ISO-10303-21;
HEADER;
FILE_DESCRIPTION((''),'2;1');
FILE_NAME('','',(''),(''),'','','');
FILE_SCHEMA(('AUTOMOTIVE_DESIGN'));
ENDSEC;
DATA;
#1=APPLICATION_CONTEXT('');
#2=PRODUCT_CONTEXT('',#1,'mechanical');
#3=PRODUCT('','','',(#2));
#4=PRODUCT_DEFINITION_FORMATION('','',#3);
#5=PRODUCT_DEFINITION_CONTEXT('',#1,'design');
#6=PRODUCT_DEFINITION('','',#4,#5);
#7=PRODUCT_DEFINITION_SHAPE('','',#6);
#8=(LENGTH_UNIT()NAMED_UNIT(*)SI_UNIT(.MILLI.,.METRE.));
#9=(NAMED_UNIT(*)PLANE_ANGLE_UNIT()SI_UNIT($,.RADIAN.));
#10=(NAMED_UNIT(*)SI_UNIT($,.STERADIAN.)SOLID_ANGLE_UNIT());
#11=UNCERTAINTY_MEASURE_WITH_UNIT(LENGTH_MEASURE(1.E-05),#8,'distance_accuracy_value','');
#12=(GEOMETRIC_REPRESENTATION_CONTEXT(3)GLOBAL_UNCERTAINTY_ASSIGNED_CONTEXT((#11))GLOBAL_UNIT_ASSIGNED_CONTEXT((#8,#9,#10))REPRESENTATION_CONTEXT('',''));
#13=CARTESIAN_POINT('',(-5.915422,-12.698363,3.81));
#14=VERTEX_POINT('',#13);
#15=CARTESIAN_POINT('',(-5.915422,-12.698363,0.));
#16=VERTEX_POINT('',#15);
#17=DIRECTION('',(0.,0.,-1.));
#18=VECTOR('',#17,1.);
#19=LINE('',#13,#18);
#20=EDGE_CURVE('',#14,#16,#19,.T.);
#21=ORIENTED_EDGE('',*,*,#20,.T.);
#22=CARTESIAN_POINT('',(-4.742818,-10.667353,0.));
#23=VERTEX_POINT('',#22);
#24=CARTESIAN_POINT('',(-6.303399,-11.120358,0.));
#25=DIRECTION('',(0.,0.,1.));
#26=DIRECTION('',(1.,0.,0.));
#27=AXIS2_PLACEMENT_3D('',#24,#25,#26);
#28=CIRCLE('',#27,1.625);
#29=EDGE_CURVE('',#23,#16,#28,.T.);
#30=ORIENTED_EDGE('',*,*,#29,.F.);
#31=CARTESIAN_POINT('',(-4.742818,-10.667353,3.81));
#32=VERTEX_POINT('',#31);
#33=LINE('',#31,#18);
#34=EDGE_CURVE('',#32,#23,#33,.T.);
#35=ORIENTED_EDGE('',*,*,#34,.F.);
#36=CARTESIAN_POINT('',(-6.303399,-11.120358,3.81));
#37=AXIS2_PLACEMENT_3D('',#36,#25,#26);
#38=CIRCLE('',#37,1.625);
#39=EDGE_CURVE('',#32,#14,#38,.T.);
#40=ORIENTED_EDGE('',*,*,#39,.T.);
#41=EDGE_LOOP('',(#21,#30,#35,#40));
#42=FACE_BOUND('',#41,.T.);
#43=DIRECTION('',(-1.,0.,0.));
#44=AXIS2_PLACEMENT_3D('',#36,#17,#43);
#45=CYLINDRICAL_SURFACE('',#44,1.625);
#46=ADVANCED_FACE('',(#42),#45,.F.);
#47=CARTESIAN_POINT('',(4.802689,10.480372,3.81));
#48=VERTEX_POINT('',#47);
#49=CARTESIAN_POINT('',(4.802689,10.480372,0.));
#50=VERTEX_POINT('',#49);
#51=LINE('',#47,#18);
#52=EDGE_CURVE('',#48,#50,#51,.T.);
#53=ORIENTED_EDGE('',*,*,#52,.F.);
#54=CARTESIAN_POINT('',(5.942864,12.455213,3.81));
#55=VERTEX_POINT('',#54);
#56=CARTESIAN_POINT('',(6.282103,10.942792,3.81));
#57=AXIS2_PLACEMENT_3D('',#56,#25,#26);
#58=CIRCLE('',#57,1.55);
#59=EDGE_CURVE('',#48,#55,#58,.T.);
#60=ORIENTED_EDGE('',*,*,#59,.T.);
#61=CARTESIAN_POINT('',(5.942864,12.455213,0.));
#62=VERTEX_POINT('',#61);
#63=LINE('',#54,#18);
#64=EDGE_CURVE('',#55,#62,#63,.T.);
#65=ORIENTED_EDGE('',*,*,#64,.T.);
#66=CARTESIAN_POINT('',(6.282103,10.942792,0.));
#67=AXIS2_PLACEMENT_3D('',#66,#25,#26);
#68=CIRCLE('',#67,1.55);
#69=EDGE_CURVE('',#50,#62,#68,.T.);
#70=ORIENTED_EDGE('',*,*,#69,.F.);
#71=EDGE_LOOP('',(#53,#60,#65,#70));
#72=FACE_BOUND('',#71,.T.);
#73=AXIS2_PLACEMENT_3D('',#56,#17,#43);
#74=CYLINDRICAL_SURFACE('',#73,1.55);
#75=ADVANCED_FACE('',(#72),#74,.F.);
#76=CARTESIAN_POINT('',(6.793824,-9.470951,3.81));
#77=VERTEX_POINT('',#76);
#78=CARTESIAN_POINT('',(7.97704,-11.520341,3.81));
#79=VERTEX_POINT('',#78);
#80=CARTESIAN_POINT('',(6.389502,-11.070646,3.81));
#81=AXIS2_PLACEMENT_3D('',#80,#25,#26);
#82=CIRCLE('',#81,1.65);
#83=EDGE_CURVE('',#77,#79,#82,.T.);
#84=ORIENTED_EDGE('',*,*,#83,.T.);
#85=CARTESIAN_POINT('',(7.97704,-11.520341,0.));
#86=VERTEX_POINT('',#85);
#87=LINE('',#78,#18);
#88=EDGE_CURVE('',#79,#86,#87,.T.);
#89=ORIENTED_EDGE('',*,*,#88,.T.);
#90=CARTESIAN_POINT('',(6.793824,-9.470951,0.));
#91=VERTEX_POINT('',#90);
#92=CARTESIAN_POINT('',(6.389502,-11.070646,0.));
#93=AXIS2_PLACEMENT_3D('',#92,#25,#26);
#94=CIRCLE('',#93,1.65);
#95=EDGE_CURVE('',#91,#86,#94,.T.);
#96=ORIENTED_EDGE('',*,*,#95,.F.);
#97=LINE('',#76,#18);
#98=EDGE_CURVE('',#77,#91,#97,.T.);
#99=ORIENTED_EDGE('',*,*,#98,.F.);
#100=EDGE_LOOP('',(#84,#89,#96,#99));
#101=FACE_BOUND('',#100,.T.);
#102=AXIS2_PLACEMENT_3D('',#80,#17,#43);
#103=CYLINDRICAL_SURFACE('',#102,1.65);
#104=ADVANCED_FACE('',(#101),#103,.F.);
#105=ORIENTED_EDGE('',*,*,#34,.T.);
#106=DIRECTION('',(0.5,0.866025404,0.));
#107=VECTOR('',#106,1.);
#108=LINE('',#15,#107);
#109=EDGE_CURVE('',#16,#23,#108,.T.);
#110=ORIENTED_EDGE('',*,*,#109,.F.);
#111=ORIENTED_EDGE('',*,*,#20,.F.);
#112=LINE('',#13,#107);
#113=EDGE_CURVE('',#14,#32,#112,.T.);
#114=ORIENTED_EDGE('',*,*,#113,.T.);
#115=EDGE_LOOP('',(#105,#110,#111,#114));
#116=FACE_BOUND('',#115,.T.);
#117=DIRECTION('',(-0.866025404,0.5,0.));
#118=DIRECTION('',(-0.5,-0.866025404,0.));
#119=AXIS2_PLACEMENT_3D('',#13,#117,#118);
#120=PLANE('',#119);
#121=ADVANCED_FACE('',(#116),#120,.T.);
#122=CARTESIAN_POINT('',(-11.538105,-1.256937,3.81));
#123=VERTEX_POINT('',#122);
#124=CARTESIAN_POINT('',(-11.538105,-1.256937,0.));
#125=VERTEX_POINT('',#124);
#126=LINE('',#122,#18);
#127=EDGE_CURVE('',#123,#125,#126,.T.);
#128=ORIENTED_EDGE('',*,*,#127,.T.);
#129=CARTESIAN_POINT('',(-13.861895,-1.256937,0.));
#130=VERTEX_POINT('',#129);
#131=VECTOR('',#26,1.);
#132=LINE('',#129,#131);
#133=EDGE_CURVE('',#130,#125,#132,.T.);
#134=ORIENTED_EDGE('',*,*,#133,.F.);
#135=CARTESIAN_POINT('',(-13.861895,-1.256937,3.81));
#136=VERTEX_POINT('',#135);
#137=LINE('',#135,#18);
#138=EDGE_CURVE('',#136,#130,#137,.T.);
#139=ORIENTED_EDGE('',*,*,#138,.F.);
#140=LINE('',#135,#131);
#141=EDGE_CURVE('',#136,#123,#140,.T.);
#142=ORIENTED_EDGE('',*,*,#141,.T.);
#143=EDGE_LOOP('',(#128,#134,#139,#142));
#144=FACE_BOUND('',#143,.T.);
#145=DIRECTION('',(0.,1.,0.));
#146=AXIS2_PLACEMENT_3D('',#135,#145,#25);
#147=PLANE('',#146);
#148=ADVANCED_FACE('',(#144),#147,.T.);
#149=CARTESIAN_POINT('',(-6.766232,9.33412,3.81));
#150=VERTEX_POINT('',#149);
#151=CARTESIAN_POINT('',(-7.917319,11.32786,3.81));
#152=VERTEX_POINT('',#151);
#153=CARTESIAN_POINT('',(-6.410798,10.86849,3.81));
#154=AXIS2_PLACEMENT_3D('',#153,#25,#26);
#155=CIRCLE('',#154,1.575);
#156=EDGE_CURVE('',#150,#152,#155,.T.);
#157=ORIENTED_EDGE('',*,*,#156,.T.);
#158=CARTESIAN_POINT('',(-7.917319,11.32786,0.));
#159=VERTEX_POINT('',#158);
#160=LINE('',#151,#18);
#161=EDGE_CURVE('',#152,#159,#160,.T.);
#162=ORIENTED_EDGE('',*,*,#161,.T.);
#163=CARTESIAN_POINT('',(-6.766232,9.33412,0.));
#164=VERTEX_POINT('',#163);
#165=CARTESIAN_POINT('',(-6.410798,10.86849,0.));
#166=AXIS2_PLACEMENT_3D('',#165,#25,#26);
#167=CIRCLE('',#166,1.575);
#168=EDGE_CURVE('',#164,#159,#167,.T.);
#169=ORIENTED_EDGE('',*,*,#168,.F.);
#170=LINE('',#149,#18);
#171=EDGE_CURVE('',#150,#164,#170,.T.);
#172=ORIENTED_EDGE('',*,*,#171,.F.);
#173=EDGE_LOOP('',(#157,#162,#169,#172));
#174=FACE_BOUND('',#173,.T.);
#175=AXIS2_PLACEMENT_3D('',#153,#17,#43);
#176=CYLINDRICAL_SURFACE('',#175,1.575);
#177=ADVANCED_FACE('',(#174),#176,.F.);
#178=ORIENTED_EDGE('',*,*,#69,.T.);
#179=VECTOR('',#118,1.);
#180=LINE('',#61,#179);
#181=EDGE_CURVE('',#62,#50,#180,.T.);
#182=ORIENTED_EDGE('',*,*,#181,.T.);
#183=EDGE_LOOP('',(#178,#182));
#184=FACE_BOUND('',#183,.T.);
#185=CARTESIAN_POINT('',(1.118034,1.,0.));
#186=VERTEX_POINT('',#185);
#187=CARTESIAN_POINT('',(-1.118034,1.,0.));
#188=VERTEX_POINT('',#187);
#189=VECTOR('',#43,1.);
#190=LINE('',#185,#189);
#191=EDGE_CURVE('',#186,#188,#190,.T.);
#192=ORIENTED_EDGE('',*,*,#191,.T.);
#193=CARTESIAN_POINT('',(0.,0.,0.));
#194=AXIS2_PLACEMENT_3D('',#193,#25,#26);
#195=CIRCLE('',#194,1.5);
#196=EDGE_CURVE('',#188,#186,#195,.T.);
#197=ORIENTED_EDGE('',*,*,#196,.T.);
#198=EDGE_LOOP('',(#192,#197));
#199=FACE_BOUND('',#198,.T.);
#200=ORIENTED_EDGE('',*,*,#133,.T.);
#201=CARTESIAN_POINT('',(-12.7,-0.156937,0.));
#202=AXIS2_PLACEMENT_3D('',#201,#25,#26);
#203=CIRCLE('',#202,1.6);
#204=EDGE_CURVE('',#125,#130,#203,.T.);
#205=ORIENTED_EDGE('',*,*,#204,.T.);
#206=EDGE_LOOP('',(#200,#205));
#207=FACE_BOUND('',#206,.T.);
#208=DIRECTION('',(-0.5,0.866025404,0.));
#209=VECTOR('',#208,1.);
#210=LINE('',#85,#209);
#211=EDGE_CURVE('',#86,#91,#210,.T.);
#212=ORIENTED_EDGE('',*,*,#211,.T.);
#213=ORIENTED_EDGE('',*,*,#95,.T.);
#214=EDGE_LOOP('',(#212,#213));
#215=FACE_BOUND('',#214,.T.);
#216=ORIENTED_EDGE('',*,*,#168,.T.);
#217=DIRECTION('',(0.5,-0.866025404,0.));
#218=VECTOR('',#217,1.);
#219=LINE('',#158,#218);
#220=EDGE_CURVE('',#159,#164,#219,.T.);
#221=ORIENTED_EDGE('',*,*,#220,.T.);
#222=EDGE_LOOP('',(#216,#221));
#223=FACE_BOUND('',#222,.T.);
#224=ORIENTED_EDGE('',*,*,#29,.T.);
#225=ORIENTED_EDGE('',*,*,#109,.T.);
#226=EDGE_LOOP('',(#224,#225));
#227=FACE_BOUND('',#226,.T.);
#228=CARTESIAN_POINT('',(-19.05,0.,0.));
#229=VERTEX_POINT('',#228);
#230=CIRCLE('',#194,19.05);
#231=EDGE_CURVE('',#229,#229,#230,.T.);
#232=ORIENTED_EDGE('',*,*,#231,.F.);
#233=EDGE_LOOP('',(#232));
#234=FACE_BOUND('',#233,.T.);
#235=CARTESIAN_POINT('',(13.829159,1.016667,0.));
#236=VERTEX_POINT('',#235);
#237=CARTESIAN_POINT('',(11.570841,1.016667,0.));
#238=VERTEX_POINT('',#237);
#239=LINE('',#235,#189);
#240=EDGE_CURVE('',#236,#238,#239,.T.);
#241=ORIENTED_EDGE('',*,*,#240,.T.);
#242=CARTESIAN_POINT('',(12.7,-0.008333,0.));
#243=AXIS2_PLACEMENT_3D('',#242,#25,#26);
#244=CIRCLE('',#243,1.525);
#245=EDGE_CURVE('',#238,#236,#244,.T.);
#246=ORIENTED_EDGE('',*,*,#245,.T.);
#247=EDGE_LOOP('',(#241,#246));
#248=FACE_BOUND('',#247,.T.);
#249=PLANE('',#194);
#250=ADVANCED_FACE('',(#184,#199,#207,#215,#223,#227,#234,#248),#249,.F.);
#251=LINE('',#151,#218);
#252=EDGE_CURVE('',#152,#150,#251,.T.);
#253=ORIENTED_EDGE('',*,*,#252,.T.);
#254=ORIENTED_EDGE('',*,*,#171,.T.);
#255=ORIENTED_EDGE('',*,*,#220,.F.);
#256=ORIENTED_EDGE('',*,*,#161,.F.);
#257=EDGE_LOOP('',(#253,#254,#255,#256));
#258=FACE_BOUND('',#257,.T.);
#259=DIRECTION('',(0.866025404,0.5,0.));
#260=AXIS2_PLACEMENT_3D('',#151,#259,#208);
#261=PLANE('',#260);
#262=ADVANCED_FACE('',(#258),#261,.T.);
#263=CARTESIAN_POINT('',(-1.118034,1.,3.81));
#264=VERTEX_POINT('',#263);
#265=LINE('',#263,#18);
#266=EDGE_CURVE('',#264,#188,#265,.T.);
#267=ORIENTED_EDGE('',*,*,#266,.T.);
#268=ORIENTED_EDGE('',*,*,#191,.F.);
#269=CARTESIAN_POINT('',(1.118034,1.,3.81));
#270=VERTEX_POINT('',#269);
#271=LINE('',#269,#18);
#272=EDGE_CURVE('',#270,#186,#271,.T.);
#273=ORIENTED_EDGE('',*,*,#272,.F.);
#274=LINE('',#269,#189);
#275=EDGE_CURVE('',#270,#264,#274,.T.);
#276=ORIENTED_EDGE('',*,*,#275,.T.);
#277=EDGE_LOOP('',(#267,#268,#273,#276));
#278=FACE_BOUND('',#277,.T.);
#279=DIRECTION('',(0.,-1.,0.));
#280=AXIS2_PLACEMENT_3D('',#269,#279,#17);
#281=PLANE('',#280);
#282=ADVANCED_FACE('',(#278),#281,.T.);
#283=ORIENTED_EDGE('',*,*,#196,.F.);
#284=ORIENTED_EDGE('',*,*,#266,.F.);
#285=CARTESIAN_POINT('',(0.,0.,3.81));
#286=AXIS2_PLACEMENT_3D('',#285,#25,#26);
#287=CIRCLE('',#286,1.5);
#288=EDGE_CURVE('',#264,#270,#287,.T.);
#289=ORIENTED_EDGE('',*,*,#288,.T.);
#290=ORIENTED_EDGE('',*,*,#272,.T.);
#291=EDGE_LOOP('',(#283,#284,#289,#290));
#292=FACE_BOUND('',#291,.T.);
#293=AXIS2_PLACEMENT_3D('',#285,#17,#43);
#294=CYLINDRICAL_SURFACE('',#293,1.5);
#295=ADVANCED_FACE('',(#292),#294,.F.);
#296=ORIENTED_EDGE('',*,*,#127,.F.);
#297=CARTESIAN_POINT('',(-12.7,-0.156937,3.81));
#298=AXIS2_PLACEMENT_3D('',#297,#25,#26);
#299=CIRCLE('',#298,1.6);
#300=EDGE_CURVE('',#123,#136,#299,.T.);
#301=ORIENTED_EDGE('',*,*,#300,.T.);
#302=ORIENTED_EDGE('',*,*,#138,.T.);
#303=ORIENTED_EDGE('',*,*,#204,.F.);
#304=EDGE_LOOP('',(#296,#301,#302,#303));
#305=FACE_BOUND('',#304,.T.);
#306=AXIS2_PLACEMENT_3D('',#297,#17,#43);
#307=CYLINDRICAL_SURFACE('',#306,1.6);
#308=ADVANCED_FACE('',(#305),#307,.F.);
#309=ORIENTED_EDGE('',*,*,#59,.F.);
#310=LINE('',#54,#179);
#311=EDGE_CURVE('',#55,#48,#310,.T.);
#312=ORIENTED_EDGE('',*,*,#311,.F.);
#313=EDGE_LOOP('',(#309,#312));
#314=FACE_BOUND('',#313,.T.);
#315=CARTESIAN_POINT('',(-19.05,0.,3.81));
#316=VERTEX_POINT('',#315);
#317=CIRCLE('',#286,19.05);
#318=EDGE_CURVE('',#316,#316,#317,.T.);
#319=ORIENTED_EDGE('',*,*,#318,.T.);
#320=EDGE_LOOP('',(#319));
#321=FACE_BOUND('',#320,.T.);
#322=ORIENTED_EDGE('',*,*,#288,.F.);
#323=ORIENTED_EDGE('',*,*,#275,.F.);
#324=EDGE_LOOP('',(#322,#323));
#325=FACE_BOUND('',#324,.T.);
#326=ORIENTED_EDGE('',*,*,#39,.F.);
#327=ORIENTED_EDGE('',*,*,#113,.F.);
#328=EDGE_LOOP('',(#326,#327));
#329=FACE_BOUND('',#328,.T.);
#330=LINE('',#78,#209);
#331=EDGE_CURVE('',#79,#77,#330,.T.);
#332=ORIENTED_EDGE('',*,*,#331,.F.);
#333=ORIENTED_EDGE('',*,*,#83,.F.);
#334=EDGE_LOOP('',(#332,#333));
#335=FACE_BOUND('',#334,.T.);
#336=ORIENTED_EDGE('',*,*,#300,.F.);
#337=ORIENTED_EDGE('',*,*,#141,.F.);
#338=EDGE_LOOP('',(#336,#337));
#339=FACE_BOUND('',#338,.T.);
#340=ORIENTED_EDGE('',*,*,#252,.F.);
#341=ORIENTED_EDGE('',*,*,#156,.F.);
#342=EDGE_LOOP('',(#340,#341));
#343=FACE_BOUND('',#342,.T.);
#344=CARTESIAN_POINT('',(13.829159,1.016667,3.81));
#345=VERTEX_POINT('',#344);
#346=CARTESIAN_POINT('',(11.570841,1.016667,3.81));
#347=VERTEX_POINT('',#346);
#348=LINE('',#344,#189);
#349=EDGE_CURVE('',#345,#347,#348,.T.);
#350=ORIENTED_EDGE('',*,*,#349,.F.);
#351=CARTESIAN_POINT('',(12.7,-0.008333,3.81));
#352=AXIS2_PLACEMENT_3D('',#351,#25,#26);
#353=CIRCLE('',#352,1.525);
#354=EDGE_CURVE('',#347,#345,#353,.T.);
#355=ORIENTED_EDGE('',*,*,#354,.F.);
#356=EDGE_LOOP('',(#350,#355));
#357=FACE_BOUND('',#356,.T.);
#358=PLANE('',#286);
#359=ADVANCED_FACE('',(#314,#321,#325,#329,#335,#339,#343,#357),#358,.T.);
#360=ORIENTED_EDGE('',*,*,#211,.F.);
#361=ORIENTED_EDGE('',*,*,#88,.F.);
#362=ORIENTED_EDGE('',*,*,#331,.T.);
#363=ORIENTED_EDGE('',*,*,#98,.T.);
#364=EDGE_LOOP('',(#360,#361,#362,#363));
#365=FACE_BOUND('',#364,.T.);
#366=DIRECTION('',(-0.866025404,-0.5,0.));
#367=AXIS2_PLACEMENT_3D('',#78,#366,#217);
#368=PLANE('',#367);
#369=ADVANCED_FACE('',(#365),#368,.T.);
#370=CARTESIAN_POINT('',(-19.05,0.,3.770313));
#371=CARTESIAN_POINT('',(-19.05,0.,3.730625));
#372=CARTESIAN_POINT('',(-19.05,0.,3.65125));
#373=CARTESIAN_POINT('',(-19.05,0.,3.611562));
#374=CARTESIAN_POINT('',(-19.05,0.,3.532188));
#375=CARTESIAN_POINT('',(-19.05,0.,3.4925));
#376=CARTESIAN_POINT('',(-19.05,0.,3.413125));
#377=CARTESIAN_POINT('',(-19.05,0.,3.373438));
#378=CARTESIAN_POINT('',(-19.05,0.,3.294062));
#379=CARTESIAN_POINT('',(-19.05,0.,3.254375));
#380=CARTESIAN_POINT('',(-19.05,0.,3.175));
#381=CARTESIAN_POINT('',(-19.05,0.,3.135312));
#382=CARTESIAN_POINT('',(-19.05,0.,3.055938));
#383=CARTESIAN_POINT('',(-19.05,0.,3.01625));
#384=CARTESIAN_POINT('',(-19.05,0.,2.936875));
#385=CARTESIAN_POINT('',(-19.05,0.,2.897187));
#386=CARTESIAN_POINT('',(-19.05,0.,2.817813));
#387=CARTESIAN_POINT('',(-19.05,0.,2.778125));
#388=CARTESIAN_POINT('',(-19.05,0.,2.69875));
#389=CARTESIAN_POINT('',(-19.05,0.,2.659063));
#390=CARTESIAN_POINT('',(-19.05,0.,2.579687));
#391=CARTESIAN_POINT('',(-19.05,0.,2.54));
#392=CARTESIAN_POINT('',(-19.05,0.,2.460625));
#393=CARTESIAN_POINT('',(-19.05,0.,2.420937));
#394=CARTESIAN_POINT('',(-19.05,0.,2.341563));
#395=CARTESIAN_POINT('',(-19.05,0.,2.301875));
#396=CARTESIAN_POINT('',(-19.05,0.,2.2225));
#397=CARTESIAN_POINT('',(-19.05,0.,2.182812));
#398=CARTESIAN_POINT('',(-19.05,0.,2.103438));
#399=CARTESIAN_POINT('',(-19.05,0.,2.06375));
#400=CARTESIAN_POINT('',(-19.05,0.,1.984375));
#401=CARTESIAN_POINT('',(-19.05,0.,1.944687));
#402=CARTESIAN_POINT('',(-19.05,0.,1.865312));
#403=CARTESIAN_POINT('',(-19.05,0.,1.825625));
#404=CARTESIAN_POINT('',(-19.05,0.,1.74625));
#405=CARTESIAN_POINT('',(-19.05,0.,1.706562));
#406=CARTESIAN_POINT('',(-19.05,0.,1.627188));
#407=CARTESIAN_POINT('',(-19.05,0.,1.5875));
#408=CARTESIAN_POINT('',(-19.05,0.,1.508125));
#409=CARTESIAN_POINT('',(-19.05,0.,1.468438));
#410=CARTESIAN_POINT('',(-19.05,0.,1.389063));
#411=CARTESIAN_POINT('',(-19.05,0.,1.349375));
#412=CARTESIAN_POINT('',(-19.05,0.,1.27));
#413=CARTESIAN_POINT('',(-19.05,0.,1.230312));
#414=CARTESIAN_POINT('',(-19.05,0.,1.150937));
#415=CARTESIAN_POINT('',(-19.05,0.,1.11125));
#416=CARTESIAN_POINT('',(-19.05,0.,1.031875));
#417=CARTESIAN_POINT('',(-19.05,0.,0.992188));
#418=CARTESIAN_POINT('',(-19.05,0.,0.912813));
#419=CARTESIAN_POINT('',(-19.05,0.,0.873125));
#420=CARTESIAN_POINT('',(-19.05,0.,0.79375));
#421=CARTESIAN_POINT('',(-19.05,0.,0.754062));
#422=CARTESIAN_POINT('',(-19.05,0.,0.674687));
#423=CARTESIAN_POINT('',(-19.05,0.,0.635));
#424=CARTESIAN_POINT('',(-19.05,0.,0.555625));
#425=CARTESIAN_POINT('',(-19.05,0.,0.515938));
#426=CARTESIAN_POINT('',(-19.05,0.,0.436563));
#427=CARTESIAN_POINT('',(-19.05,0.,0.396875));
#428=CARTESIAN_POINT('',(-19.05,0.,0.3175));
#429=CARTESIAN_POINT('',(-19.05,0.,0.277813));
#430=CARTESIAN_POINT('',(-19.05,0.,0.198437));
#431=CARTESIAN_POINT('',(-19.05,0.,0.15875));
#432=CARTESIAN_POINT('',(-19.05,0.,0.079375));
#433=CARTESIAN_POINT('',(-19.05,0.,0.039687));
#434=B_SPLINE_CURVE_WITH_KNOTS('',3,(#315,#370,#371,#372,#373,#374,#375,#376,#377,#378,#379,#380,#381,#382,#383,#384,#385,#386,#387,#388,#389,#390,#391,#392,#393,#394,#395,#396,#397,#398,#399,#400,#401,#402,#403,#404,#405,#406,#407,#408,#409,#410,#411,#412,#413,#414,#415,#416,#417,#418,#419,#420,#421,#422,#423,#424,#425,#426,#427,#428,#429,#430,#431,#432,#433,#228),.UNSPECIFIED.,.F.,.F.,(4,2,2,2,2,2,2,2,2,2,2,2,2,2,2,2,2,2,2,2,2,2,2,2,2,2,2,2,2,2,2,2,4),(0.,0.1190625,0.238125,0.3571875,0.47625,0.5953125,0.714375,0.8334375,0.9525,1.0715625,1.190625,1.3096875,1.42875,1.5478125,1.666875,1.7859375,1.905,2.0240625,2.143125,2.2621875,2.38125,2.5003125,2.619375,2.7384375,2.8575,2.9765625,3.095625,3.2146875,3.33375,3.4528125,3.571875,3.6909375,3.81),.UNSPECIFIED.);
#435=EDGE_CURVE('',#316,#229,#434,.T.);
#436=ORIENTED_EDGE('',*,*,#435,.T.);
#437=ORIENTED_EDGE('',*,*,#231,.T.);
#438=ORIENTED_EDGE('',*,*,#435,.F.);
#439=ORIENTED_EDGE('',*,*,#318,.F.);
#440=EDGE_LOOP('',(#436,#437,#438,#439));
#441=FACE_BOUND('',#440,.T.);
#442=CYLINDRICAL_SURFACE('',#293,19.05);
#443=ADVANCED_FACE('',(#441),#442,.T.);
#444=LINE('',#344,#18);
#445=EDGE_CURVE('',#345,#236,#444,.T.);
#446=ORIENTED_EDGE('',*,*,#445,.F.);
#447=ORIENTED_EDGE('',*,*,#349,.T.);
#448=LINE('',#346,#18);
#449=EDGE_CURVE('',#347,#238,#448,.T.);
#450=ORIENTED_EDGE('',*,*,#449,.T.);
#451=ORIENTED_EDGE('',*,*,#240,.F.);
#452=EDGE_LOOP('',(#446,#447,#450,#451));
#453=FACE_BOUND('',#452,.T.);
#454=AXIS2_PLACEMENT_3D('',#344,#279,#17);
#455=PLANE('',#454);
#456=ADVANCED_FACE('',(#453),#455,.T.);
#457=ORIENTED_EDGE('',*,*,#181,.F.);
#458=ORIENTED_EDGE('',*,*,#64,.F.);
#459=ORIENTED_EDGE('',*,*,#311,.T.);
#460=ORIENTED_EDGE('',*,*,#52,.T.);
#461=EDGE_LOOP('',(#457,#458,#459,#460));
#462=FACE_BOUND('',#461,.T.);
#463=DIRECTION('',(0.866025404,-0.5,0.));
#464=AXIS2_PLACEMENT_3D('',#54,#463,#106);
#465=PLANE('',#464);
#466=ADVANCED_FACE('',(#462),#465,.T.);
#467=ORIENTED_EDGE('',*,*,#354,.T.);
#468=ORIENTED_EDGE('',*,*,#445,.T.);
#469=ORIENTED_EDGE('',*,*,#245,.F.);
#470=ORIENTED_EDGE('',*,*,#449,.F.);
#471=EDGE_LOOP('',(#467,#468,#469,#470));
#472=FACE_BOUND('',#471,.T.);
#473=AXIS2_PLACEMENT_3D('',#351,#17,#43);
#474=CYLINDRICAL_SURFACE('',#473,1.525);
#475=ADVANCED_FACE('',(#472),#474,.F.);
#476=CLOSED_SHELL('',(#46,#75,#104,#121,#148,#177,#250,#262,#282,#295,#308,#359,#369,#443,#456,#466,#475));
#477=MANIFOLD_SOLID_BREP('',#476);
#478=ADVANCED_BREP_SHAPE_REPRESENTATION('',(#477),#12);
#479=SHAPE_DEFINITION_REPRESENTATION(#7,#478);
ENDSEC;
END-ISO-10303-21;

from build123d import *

# Parameters (mm, degrees)
SKETCH1_R           = 19.05
BOSS_EXTRUDE1_DEPTH = 3.81


with BuildPart() as part:
    # Sketch1 → Boss-Extrude1 (new body)
    with BuildSketch(Plane.XY):
        with Locations(Location((0, 0, 0), (0, 0, 180))):
            Circle(SKETCH1_R)
        with BuildLine():
            Line((1.118033989, 1), (-1.118033989, 1))
            ThreePointArc((-1.118033989, 1), (0, -1.5), (1.118033989, 1))
        make_face(mode=Mode.SUBTRACT)
        with BuildLine():
            Line((13.829158979, 1.016666667), (11.570841021, 1.016666667))
            ThreePointArc((11.570841021, 1.016666667), (12.7, -1.533333333), (13.829158979, 1.016666667))
        make_face(mode=Mode.SUBTRACT)
        with BuildLine():
            Line((5.942864327, 12.455213271), (4.802688902, 10.480371506))
            ThreePointArc((4.802688902, 10.480371506), (7.624442664, 10.167792388), (5.942864327, 12.455213271))
        make_face(mode=Mode.SUBTRACT)
        with BuildLine():
            Line((-7.917318674, 11.327860481), (-6.76623223, 9.334120277))
            ThreePointArc((-6.76623223, 9.334120277), (-5.046808132, 11.655990379), (-7.917318674, 11.327860481))
        make_face(mode=Mode.SUBTRACT)
        with BuildLine():
            Line((-13.861895004, -1.256937352), (-11.538104996, -1.256937352))
            ThreePointArc((-11.538104996, -1.256937352), (-12.7, 1.443062648), (-13.861895004, -1.256937352))
        make_face(mode=Mode.SUBTRACT)
        with BuildLine():
            Line((-5.915422385, -12.698362956), (-4.742818445, -10.667353355))
            ThreePointArc((-4.742818445, -10.667353355), (-7.710690276, -10.307858156), (-5.915422385, -12.698362956))
        make_face(mode=Mode.SUBTRACT)
        with BuildLine():
            Line((7.977039629, -11.520341387), (6.793823672, -9.470951234))
            ThreePointArc((6.793823672, -9.470951234), (4.96056052, -11.89564631), (7.977039629, -11.520341387))
        make_face(mode=Mode.SUBTRACT)
    extrude(amount=BOSS_EXTRUDE1_DEPTH)


solid = part.part
